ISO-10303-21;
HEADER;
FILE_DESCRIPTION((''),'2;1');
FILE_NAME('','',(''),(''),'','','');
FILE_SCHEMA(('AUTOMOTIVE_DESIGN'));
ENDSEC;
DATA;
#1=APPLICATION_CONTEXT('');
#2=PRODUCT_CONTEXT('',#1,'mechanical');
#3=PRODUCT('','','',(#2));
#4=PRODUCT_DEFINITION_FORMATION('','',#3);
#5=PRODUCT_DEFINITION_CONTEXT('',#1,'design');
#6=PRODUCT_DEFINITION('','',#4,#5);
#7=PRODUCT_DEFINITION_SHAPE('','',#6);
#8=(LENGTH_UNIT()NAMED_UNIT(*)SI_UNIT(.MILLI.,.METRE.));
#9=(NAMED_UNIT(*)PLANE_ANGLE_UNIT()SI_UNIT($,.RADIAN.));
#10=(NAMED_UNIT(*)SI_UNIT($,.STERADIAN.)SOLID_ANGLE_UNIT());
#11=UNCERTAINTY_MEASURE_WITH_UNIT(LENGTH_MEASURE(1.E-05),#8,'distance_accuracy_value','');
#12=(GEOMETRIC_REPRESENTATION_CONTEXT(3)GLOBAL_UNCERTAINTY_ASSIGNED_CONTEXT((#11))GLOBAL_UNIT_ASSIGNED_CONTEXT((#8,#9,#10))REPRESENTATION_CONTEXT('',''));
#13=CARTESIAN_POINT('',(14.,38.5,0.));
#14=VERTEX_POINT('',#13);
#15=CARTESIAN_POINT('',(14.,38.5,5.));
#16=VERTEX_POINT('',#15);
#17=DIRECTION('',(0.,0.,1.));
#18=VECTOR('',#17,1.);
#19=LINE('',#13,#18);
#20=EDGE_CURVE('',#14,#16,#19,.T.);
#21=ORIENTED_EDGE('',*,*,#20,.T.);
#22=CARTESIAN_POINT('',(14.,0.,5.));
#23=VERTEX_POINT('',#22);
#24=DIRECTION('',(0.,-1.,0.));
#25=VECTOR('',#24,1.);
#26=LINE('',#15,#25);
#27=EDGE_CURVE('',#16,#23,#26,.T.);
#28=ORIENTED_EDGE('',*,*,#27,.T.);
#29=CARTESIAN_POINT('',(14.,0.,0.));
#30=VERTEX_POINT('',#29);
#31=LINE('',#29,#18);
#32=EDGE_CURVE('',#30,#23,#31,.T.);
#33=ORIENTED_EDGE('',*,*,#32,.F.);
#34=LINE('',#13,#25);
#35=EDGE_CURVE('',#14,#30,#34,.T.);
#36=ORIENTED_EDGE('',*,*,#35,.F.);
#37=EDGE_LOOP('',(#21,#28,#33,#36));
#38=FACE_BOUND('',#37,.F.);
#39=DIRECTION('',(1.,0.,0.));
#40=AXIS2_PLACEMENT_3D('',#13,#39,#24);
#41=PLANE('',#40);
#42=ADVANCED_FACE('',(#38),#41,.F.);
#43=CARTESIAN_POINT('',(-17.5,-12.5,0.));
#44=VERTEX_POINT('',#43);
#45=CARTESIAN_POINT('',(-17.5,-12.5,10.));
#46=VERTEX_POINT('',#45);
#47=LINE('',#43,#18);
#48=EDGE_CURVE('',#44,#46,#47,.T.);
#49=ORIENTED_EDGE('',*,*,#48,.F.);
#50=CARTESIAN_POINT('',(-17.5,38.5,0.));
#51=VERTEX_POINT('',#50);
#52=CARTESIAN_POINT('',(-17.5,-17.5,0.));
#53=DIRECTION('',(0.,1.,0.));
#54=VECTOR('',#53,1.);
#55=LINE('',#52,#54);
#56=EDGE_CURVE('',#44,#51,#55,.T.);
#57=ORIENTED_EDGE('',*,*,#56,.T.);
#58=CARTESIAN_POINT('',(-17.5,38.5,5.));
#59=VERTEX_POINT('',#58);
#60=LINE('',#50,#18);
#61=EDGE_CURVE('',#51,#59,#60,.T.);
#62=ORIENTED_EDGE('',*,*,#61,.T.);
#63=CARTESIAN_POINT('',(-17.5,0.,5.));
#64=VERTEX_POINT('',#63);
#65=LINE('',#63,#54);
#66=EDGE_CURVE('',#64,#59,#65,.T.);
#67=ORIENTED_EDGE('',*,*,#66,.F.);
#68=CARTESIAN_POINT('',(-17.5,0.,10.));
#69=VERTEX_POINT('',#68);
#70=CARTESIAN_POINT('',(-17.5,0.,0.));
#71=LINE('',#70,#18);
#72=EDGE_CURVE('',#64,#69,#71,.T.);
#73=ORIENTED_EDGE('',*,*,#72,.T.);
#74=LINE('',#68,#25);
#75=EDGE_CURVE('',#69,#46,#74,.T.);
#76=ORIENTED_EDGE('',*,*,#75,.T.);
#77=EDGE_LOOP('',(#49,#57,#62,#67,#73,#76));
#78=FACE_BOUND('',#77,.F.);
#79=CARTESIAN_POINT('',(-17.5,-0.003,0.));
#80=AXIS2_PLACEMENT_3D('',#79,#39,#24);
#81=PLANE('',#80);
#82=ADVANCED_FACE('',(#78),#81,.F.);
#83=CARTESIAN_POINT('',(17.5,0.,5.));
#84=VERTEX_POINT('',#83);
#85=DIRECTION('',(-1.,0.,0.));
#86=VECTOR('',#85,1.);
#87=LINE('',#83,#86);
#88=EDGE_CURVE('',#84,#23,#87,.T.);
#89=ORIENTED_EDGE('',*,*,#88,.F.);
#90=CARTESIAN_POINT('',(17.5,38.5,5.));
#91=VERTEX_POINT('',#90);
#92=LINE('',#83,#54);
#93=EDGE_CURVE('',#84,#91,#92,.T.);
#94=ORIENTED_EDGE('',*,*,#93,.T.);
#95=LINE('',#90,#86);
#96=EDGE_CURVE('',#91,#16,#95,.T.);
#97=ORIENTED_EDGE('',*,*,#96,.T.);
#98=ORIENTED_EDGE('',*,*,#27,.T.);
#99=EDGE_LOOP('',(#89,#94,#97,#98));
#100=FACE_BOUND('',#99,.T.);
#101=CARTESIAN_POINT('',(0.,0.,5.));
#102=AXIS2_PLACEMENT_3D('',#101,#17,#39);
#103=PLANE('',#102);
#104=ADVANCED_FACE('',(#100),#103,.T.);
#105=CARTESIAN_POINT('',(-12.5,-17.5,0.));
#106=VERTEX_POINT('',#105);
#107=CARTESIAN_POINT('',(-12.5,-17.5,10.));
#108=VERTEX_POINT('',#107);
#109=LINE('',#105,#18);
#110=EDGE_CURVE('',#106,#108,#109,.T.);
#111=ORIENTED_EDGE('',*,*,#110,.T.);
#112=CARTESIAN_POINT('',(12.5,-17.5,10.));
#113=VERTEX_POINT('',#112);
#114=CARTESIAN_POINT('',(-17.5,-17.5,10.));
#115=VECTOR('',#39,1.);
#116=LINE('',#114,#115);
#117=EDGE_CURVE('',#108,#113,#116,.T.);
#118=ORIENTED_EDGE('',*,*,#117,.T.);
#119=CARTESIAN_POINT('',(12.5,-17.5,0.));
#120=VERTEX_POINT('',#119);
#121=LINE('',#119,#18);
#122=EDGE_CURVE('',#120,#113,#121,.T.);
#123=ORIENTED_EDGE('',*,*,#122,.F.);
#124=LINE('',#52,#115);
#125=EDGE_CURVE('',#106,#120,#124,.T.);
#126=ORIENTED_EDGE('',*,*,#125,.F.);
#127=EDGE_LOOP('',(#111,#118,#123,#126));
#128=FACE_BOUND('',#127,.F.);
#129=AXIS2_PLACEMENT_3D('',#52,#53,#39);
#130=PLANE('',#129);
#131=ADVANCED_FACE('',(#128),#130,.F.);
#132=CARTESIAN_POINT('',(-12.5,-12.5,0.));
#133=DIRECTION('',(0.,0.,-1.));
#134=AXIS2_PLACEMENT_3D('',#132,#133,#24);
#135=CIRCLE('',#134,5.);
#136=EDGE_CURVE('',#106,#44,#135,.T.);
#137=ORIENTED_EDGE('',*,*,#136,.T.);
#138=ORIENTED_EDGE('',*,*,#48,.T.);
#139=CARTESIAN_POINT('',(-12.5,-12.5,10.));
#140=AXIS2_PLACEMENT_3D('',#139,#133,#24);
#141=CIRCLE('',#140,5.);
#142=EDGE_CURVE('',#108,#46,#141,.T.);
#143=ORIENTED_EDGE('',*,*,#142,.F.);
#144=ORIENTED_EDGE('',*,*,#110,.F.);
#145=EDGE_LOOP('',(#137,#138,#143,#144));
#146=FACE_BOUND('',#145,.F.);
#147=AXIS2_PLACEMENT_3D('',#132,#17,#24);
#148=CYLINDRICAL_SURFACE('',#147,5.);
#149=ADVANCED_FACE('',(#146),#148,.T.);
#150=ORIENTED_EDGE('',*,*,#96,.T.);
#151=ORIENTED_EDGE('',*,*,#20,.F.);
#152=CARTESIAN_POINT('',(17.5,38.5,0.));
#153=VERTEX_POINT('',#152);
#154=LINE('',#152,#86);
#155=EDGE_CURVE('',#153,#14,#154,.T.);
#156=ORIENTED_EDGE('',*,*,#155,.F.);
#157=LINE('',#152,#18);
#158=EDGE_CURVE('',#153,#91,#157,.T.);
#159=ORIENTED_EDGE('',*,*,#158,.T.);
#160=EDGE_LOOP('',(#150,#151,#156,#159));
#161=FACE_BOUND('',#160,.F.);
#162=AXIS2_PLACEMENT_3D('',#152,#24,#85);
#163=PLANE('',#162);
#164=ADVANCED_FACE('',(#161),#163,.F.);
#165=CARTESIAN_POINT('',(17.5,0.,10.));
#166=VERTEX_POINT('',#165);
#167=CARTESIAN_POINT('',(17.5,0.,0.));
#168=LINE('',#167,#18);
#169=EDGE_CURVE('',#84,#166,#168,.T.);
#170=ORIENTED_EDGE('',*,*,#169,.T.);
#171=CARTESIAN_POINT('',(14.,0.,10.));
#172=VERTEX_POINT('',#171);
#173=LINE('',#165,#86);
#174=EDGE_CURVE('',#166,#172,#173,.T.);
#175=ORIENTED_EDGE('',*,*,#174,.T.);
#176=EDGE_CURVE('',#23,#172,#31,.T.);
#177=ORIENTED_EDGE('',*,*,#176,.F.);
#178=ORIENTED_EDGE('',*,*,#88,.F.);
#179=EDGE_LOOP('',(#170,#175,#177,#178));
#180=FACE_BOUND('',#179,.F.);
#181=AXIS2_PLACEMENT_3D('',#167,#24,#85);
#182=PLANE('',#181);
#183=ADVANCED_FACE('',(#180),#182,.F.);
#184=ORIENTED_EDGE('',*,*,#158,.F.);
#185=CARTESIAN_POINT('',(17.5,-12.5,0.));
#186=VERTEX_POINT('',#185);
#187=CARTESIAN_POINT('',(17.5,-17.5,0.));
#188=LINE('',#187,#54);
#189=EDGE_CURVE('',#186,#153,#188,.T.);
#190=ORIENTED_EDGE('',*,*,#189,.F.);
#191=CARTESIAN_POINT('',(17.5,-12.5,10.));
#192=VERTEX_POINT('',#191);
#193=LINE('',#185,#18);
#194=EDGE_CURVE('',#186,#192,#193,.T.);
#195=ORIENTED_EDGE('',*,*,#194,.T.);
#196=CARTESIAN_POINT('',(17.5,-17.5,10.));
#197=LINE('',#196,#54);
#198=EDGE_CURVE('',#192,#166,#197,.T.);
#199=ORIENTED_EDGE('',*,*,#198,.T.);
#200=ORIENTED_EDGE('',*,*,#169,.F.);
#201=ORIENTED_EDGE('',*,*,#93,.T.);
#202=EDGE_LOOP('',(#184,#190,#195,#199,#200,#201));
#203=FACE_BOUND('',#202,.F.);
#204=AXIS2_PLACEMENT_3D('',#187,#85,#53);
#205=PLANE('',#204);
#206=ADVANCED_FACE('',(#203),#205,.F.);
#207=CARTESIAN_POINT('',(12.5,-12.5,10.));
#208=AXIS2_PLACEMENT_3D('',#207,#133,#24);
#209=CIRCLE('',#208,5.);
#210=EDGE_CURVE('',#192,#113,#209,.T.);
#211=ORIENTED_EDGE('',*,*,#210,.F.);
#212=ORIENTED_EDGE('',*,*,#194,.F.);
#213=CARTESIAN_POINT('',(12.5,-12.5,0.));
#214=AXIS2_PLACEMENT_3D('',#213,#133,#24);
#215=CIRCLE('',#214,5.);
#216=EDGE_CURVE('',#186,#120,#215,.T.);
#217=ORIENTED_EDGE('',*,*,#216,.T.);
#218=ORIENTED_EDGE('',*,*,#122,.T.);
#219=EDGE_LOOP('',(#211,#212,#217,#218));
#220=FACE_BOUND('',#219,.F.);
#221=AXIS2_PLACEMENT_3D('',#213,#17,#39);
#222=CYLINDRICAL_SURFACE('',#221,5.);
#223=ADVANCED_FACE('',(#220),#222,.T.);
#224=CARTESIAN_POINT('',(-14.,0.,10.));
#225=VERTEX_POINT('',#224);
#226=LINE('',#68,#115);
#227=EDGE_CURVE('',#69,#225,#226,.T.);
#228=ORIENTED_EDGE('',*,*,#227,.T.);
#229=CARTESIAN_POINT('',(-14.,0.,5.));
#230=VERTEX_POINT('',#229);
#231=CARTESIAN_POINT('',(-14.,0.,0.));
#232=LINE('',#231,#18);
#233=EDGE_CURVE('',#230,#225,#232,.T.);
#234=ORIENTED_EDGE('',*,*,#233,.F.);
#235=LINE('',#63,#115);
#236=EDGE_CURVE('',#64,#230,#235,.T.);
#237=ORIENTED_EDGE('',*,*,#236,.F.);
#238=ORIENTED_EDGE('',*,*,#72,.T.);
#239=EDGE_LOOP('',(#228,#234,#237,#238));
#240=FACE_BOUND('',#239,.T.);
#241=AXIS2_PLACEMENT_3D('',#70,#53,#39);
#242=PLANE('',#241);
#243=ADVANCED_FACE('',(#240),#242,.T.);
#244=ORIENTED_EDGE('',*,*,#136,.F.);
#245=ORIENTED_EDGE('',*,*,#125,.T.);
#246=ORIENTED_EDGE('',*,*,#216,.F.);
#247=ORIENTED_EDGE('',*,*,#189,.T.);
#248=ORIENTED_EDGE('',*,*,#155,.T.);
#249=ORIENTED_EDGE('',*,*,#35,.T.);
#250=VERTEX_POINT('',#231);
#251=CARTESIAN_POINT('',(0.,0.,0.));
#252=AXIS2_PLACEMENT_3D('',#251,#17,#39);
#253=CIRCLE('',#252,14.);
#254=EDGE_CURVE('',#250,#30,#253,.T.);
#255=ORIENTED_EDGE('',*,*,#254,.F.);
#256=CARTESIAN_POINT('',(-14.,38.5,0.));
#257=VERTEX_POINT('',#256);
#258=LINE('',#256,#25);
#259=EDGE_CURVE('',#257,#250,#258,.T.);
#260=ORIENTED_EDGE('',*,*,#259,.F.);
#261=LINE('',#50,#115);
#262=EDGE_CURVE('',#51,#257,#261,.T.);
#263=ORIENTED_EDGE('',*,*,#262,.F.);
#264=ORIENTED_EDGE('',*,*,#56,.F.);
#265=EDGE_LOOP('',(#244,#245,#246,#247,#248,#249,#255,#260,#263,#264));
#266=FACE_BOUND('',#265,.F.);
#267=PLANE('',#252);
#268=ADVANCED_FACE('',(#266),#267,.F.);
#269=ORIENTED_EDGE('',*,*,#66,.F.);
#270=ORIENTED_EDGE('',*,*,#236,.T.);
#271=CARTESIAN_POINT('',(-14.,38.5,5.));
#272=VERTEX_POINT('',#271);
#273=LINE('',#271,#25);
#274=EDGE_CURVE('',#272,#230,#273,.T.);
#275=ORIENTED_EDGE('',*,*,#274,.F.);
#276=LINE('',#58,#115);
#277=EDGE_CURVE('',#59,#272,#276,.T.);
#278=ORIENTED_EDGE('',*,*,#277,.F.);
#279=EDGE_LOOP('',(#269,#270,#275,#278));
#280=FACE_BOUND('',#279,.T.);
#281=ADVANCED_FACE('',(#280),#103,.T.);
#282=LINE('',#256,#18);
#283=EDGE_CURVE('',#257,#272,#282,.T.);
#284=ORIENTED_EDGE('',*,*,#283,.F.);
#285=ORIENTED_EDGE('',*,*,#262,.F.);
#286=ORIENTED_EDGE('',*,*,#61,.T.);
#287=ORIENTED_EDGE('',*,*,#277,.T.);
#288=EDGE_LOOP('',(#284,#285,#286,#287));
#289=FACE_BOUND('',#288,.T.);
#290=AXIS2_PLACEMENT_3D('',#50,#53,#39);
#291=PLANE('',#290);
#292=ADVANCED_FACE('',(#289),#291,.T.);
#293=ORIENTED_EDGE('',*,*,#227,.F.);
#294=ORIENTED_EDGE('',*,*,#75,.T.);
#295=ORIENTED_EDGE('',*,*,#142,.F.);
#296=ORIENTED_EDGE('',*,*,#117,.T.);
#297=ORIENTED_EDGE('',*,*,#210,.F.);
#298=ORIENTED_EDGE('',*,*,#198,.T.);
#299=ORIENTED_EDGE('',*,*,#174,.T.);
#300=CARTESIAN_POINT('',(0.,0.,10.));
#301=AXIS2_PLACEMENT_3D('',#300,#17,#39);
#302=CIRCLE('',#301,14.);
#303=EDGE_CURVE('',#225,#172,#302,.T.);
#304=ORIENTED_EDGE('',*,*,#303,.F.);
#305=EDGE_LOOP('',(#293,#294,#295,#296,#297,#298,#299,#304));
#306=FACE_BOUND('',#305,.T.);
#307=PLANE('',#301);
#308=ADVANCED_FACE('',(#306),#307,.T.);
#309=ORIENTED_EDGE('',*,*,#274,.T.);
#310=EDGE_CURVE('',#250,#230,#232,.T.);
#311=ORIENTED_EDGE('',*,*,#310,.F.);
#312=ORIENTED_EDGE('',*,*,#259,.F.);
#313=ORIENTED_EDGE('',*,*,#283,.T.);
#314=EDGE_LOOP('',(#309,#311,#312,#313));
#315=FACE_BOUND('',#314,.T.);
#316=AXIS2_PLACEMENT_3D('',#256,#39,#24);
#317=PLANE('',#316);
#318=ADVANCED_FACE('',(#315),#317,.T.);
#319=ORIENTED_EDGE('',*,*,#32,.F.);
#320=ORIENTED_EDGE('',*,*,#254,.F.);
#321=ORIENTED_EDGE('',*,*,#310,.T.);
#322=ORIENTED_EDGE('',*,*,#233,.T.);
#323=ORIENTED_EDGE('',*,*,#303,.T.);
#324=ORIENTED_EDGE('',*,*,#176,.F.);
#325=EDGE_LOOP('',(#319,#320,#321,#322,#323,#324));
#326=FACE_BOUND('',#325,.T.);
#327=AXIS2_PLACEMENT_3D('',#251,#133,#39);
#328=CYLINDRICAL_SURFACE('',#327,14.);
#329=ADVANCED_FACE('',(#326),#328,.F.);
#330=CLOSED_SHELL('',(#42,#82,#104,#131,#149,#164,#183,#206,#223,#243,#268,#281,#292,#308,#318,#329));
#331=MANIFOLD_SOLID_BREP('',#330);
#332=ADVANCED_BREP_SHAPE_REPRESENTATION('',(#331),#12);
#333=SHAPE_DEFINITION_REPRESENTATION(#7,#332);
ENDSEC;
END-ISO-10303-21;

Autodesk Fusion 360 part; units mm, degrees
sketch "Sketch1" plane through (0, 0, 0) normal (0, 0, 1) x (1, 0, 0)
  circle A0 centre (0, 0) radius 14
  line L0 (14, 0) -> (-14, 0)
  line L1 (-17.5, 0) -> (-17.5, -17.5)
  line L2 (-17.5, -17.5) -> (17.5, -17.5)
  line L3 (17.5, -17.5) -> (17.5, 0)
  line L4 (-17.5, 0) -> (-17.5, 38.5)
  line L5 (17.5, 0) -> (17.5, 38.5)
  line L6 (-17.5, 0) -> (-17.5, 38.5)
  line L7 (-17.5, 38.5) -> (-14, 38.5)
  line L8 (-14, 38.5) -> (-14, 0)
  line L9 (17.5, 0) -> (17.5, 38.5)
  line L10 (17.5, 38.5) -> (14, 38.5)
  line L11 (14, 38.5) -> (14, 0)
  line L12 (-14, 38.5) -> (14, 38.5)
  arc A1 (-17.5, 0.003) -> (-17.5, -0.003) centre (0, 0) ccw
  line L13 (-17.5, 0) -> (-14, 0)
  line L14 (17.5, 0) -> (14, 0)
  dimension "d1" = 28
  dimension "d2" = 35
  dimension "d3" = 35
  dimension "d4" = 17.5
  dimension "d5" = 38.5
  dimension "d6" = 38.5
extrude "Extrude1" add sketch "Sketch1" along normal blind 10 contours A0 L1 L2 L3 A1 L13 L14
extrude "Extrude2" add sketch "Sketch1" along normal blind 5 contours L5 L9 L10 L11 L14 | L4 L6 L7 L8 A1 L13
fillet "Fillet1" radius 5 2 edges at (-17.5, -17.5, 5) (17.5, -17.5, 5)
